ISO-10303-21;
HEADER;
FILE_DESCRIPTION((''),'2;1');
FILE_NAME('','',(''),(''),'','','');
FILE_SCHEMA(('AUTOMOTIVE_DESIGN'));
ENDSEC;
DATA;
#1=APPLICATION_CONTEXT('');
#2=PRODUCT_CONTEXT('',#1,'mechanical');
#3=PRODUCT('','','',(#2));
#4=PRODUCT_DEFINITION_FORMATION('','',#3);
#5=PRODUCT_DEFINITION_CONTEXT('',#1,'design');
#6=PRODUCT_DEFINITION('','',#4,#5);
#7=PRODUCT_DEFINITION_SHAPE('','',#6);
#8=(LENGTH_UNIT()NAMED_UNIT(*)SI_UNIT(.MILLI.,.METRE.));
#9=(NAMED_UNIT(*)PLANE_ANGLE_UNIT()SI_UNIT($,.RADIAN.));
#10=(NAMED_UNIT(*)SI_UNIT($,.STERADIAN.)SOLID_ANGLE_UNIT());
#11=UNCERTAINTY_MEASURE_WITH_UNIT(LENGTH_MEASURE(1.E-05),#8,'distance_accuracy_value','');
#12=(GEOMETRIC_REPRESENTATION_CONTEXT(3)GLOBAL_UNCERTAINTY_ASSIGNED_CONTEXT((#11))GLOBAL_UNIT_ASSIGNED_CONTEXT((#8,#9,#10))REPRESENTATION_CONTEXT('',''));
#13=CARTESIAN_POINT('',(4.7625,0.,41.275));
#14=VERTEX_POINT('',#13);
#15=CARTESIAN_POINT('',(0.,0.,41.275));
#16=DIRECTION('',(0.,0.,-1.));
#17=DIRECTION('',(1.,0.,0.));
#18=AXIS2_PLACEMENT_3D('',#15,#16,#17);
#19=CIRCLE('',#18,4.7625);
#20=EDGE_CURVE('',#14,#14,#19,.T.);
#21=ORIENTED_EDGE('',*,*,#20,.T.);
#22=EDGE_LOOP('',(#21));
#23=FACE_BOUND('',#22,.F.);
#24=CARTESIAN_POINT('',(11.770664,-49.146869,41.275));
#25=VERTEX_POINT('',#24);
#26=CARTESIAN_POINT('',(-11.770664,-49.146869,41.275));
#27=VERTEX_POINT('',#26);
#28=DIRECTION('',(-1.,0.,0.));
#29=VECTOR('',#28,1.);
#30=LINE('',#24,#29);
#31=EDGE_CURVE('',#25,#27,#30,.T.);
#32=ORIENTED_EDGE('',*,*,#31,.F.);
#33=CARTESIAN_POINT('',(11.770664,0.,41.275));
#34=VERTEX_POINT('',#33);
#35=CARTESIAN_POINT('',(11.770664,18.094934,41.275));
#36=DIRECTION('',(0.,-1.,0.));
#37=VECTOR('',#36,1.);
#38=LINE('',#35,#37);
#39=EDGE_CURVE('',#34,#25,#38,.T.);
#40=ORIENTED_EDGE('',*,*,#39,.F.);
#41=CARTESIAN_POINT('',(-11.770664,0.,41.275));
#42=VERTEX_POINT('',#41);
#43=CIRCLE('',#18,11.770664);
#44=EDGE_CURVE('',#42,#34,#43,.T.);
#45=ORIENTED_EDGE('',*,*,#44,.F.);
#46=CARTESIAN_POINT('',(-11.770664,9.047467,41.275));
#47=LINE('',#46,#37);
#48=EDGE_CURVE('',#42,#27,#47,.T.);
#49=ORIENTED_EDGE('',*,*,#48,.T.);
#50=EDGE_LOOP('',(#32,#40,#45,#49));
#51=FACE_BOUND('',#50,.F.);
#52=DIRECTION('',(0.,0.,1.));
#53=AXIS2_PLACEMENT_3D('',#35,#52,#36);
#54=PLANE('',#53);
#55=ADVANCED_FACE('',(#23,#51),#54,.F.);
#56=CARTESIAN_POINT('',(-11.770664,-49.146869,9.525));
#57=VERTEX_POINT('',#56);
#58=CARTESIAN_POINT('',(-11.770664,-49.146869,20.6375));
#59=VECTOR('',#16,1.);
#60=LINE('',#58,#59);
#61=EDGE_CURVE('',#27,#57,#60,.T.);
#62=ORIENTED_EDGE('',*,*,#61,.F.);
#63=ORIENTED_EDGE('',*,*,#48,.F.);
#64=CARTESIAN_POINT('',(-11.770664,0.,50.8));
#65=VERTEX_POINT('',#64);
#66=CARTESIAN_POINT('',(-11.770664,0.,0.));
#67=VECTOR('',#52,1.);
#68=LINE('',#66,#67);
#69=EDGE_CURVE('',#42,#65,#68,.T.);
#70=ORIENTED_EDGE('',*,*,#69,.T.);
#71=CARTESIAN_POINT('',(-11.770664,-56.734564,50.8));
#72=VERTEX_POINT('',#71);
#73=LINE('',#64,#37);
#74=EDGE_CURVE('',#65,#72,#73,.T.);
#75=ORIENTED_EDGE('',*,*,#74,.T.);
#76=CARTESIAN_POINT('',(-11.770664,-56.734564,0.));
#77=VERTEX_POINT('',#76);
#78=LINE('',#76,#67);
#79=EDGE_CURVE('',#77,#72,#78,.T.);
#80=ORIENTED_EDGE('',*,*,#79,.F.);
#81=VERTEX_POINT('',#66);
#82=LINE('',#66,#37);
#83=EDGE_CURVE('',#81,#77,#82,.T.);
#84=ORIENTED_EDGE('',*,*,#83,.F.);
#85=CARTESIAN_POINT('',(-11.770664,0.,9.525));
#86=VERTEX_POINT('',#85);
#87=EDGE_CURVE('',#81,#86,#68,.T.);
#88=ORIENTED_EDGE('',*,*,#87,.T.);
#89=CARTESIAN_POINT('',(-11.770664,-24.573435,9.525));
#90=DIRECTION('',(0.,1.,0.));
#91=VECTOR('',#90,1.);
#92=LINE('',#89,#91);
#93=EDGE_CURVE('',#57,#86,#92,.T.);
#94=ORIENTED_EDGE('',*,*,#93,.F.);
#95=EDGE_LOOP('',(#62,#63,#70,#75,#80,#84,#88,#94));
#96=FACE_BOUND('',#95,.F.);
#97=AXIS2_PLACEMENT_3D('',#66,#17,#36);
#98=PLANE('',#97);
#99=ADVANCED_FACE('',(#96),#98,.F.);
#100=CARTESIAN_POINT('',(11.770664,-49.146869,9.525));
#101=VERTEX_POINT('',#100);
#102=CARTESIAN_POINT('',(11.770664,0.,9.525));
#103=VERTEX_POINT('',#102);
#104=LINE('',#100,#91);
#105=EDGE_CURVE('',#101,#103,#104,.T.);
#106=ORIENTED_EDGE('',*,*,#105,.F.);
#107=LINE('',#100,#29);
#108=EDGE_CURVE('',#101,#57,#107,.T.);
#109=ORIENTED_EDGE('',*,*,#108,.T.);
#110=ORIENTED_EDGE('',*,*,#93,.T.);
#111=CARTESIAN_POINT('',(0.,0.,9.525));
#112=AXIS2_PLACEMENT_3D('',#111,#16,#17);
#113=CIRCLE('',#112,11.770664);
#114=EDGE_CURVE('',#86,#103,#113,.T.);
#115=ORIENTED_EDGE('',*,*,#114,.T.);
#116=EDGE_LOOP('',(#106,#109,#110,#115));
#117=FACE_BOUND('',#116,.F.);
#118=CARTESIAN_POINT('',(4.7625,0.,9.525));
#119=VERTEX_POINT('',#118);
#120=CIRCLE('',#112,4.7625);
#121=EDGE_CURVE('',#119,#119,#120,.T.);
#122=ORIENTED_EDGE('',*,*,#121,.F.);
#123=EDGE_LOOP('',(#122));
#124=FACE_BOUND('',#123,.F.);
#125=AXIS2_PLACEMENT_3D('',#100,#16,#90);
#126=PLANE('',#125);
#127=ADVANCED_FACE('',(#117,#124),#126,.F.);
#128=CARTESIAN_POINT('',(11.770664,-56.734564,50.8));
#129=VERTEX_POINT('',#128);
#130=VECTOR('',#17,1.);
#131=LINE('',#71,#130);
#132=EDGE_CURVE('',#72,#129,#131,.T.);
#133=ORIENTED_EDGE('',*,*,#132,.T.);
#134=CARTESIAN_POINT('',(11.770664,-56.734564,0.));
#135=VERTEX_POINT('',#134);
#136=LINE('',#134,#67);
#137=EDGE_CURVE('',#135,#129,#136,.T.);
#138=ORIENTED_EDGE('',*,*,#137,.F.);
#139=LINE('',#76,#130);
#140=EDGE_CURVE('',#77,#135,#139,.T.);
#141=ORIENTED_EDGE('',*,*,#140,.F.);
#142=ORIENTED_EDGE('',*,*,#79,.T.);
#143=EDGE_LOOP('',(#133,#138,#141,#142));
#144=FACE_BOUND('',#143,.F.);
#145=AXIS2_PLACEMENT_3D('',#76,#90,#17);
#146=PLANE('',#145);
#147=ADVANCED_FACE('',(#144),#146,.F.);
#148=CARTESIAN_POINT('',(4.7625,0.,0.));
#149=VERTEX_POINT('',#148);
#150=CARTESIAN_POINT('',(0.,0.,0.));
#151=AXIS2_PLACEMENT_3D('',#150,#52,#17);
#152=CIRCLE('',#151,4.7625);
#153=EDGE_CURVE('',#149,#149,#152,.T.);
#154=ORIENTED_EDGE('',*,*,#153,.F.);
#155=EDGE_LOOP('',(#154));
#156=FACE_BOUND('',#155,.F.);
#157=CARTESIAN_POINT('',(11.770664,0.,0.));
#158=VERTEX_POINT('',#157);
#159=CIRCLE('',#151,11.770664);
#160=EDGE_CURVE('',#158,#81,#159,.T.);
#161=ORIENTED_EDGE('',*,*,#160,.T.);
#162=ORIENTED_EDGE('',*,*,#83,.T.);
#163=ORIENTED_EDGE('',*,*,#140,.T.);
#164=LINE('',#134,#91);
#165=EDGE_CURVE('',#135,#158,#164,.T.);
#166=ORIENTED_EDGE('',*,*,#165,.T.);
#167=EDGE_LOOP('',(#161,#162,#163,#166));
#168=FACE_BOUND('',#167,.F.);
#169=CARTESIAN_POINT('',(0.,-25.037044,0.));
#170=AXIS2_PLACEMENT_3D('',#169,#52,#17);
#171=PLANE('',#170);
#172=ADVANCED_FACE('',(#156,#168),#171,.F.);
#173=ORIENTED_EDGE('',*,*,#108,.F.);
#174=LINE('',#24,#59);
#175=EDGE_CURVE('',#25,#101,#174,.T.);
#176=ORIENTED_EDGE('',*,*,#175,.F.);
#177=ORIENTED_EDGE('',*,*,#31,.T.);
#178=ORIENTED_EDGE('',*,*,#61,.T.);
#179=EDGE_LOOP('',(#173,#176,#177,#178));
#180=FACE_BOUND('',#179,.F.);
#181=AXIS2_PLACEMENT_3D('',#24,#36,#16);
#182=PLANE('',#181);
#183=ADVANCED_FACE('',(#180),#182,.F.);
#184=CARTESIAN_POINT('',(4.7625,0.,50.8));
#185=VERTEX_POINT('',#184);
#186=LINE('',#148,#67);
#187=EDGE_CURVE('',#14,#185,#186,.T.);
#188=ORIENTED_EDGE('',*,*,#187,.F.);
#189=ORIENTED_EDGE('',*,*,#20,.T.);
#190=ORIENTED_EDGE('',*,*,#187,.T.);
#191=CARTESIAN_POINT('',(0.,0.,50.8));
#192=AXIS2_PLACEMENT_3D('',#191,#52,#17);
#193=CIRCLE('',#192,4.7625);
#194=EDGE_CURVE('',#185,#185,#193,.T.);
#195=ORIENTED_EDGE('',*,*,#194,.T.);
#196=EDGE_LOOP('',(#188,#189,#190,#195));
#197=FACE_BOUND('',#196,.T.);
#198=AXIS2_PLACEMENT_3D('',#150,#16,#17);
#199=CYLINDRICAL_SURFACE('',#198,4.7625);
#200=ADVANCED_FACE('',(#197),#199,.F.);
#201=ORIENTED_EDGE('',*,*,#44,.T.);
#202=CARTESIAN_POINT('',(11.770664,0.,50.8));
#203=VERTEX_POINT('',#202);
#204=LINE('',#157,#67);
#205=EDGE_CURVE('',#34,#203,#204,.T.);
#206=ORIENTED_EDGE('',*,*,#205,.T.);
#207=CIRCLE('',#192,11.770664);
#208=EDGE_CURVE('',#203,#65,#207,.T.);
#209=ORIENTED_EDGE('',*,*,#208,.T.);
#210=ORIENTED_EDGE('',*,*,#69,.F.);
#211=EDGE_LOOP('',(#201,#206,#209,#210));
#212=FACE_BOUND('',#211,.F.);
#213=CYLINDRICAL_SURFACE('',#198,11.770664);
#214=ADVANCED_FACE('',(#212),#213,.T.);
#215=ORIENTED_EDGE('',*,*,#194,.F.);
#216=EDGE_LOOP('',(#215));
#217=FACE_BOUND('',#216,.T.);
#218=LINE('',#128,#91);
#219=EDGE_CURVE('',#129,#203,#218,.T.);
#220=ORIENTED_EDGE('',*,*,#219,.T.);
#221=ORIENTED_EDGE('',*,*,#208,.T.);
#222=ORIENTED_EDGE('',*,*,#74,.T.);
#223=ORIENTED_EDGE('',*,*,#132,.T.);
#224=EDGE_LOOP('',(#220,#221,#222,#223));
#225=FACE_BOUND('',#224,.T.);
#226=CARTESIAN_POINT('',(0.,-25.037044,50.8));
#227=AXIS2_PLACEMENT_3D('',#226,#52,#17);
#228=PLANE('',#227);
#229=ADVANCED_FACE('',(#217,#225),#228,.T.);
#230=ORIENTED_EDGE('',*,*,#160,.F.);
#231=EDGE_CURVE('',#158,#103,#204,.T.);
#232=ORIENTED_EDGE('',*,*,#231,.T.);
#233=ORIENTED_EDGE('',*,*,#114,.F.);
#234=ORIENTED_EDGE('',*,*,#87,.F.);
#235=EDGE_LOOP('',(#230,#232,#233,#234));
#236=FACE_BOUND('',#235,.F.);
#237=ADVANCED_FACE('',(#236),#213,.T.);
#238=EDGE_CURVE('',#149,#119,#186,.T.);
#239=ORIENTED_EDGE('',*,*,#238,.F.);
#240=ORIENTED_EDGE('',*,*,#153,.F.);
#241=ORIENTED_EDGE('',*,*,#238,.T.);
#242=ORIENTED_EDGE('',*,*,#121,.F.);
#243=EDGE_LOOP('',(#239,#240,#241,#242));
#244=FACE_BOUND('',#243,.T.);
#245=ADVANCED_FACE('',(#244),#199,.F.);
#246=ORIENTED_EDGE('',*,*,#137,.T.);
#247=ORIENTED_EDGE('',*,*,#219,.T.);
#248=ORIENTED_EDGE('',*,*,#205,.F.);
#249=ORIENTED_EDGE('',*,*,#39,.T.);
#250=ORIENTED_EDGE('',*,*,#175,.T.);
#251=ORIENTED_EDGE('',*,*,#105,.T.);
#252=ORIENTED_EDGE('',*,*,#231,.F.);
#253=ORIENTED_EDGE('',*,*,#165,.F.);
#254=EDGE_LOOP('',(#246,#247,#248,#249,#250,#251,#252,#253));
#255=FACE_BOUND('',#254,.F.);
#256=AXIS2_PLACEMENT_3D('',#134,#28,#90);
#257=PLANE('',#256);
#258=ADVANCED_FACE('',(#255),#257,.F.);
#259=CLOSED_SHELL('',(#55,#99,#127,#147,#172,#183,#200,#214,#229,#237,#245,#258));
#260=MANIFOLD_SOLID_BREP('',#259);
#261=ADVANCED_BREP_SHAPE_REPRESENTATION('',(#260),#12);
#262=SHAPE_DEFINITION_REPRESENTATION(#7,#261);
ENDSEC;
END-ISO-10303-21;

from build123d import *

# Parameters (mm, degrees)
F0_R     = 4.7625
F1_DEPTH = 50.8
F2_W     = 18.094934
F2_H     = 31.75
F3_DEPTH = 23.542328


with BuildPart() as f1:
    # F0 (on Top) → F1 (new body)
    with BuildSketch(Plane.XY):
        with BuildLine():
            Line((-11.770664, 0), (-11.770664, -56.734564))
            Line((-11.770664, -56.734564), (11.770664, -56.734564))
            Line((11.770664, -56.734564), (11.770664, 0))
            ThreePointArc((11.770664, 0), (0, 11.770664), (-11.770664, 0))
        make_face()
        Circle(F0_R, mode=Mode.SUBTRACT)
    extrude(amount=F1_DEPTH)

    # F2 (on face) → F3 (cut, through all)
    with BuildSketch(Plane.YZ.offset(11.770664)):
        Polygon((-35.73535, 41.275), (-49.146869, 41.275), (-49.146869, 9.525), (-35.73535, 9.525), (0, 9.525), (0, 41.275), align=None)
        with Locations((9.047467, 25.4)):
            Rectangle(F2_W, F2_H)
    extrude(amount=-F3_DEPTH, mode=Mode.SUBTRACT)


solid = f1.part
